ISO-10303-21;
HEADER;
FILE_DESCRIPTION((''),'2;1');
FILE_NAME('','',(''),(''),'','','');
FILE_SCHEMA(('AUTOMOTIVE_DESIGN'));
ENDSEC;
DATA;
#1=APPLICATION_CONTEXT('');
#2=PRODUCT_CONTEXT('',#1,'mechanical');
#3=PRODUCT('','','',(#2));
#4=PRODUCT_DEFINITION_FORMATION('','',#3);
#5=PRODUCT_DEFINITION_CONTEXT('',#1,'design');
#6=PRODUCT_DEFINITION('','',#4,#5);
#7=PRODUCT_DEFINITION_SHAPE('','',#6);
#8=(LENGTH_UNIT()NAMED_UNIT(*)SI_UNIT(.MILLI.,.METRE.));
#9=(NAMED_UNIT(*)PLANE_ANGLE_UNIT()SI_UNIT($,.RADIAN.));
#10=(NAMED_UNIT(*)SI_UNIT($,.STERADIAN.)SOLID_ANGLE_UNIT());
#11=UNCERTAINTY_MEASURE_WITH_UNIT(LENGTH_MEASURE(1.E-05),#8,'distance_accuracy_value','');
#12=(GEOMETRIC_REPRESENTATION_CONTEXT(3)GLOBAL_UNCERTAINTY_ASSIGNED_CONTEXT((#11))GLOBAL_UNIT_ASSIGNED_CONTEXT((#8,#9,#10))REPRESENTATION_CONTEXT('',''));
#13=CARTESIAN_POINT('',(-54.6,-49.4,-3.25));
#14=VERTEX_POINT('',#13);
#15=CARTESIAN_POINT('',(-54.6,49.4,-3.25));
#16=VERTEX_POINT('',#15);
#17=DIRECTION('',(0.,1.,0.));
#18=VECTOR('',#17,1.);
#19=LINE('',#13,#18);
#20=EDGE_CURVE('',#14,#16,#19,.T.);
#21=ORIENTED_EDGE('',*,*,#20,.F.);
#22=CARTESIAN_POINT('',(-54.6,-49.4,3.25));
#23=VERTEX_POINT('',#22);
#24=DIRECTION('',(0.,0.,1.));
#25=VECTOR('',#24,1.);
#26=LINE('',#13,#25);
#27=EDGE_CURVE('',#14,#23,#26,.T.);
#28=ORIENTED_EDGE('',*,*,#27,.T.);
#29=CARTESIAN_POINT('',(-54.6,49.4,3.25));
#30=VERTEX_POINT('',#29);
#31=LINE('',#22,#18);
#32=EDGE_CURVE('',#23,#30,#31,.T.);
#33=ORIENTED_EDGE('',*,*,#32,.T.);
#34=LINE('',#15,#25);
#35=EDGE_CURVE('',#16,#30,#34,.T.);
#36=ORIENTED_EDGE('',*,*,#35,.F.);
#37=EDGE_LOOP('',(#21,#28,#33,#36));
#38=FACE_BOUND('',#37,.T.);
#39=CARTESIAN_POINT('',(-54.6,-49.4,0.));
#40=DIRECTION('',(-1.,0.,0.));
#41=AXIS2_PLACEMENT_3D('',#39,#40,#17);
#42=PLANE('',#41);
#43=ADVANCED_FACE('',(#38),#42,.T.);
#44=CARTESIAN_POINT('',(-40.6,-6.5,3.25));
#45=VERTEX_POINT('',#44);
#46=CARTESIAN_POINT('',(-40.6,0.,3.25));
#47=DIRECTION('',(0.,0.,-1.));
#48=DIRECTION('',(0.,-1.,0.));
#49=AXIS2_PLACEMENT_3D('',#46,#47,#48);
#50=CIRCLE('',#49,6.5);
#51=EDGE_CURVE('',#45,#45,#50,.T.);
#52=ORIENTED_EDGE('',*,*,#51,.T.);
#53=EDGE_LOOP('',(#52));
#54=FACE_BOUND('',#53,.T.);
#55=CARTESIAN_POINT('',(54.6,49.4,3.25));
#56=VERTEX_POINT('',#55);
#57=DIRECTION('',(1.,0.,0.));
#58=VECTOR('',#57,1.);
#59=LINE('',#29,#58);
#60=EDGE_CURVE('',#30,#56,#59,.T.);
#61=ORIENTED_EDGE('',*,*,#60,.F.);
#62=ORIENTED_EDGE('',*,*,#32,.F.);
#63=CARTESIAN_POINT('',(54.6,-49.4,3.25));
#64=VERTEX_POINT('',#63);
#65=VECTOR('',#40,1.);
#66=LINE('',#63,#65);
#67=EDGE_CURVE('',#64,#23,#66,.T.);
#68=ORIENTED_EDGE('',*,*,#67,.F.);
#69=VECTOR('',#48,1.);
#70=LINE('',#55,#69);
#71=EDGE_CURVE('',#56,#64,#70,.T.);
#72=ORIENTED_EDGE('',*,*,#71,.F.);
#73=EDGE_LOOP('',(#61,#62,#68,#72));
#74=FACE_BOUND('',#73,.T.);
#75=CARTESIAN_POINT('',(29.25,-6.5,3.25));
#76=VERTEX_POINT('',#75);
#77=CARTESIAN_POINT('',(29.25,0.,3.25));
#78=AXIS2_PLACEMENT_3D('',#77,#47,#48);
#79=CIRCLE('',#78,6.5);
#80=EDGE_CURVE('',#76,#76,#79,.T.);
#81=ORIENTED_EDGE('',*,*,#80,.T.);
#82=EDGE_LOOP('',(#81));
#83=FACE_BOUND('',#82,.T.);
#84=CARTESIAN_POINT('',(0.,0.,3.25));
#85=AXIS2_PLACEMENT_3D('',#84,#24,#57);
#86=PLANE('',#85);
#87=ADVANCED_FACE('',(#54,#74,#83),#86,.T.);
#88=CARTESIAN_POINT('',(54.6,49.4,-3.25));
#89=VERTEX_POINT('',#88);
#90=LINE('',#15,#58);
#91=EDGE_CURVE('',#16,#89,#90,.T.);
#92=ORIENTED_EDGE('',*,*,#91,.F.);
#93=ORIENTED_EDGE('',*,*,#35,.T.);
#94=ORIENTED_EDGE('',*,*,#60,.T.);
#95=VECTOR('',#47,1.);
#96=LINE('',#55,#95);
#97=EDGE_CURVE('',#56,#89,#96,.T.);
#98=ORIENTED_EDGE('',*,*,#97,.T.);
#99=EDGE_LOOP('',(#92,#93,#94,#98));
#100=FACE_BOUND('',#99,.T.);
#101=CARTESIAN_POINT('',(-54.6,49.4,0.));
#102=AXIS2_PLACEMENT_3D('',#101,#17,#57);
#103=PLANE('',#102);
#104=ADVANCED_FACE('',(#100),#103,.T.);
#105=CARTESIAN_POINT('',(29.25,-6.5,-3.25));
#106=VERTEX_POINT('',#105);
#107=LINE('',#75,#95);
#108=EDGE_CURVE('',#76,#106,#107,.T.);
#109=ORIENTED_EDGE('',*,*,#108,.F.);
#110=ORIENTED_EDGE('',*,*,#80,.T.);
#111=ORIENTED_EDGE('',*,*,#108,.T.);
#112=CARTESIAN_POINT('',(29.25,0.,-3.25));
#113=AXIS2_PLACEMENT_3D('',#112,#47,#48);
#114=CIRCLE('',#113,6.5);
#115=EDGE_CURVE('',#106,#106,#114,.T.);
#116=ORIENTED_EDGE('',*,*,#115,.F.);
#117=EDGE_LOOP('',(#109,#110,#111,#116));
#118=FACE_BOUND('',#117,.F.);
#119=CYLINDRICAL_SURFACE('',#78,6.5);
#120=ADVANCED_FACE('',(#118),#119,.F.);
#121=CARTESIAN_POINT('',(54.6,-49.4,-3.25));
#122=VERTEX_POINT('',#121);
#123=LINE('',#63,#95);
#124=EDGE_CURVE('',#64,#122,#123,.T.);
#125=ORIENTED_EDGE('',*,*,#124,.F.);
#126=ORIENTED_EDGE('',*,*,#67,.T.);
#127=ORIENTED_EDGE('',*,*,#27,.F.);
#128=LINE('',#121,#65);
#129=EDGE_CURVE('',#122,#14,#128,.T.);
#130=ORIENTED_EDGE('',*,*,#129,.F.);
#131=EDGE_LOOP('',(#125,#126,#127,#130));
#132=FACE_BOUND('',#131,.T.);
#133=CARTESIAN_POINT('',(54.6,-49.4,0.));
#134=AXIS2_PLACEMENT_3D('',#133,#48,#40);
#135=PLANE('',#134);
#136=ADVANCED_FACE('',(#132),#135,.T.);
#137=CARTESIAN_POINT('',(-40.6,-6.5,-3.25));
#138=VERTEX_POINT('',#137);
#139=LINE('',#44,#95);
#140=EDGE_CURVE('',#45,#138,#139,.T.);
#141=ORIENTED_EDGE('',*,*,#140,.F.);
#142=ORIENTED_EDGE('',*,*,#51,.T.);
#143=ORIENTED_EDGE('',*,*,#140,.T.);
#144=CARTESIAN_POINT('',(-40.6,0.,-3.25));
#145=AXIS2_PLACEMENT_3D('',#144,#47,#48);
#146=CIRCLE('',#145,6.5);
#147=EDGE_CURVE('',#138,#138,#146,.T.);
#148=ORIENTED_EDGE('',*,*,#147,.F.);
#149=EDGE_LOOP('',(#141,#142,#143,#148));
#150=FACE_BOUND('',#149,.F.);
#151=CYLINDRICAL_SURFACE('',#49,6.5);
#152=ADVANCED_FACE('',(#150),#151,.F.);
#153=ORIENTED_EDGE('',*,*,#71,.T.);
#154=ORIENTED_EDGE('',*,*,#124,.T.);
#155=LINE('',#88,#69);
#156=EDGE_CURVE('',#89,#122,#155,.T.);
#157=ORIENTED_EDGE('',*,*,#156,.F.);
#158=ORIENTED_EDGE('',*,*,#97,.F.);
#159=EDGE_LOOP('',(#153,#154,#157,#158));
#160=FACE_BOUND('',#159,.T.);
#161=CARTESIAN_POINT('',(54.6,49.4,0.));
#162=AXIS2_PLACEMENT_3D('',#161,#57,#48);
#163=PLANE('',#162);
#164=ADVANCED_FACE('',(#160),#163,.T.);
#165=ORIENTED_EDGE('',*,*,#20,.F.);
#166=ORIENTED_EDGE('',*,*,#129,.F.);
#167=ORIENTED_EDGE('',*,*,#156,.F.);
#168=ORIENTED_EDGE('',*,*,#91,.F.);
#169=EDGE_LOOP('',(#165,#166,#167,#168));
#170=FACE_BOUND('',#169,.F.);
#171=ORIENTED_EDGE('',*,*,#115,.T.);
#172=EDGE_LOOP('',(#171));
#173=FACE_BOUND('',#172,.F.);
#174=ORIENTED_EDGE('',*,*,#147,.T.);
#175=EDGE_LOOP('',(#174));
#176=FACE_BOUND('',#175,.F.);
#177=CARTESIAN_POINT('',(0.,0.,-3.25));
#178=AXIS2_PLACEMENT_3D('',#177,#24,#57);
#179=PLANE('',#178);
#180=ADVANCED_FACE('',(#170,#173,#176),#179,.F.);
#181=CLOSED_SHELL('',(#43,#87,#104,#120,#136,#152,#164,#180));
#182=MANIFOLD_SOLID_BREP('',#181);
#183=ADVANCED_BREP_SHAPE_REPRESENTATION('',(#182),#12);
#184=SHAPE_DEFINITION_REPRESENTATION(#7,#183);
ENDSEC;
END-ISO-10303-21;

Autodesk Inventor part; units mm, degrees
ref_plane "YZ Plane" through (0, 0, 0) normal (1, 0, 0) x (0, 1, 0)
ref_plane "XZ Plane" through (0, 0, 0) normal (0, 1, 0) x (-1, 0, 0)
ref_plane "XY Plane" through (0, 0, 0) normal (0, 0, 1) x (1, 0, 0)
sketch "Sketch1" plane through (0, 0, 0) normal (0, 0, 1) x (1, 0, 0)
  line L0 (-54.6, 49.4) -> (54.6, 49.4)
  line L1 (54.6, 49.4) -> (54.6, -49.4)
  line L2 (54.6, -49.4) -> (-54.6, -49.4)
  line L3 (-54.6, -49.4) -> (-54.6, 49.4)
  line L4 (-54.6, 49.4) -> (54.6, -49.4) construction
  line L5 (54.6, 49.4) -> (-54.6, -49.4) construction
  point P0 (0, 0)
  dimension "Comp" = 109.2
  dimension "Larg" = 98.8
extrude "Extrusion1" add sketch "Sketch1" along normal mid plane 6.5
hole "Hole2" at (-40.6, 0, 3.25) direction (0, 0, -1) diameter 13 end through all
hole "Hole3" at (29.25, 0, 3.25) direction (0, 0, -1) diameter 13 end through all
properties part number "Buste3-2"
